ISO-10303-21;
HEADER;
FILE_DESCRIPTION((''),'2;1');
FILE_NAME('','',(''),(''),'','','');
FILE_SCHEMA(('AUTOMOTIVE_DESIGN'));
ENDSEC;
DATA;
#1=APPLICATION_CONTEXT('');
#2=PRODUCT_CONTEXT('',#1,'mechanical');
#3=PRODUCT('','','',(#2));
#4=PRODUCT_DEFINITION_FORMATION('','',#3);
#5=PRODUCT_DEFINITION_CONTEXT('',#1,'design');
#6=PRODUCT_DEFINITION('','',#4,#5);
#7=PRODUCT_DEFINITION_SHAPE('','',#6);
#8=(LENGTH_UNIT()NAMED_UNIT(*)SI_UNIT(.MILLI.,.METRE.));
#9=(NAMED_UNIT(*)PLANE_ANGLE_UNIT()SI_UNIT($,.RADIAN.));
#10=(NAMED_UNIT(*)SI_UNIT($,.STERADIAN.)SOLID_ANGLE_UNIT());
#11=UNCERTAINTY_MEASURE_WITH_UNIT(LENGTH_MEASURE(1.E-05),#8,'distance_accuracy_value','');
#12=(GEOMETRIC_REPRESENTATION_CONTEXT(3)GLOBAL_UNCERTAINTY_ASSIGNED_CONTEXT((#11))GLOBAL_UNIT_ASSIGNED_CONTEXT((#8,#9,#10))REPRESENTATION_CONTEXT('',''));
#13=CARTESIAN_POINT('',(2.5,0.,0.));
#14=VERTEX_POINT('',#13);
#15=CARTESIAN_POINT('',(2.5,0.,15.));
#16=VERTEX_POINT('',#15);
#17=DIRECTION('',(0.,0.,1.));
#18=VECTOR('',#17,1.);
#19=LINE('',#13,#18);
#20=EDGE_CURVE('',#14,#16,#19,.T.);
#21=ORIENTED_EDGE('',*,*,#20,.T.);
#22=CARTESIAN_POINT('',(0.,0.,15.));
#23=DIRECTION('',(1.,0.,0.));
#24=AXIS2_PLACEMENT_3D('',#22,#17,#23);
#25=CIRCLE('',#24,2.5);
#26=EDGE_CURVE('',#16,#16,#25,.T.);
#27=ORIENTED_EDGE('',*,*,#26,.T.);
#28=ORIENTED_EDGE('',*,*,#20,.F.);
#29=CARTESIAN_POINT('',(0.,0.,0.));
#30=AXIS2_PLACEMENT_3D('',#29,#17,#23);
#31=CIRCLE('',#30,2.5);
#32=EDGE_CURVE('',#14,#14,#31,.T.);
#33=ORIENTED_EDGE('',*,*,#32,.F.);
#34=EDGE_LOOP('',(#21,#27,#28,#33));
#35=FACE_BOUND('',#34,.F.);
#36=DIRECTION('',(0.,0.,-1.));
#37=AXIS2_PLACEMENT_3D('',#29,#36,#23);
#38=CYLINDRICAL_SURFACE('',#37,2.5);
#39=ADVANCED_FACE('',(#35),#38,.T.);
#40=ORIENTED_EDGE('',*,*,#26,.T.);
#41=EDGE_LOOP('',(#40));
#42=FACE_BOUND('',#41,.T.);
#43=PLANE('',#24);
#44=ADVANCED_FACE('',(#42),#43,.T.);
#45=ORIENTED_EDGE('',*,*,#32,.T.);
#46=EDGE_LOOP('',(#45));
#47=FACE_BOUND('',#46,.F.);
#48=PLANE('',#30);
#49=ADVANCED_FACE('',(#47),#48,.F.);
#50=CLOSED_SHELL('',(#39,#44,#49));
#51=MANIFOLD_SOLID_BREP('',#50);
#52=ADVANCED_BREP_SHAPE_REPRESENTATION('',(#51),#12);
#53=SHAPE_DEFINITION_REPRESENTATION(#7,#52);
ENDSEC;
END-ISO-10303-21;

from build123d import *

# Parameters (mm, degrees)
SKETCH_R  = 2.5
PAD_DEPTH = 15


with BuildPart() as part:
    # Sketch → Pad (new body)
    with BuildSketch(Plane.XY):
        Circle(SKETCH_R)
    extrude(amount=PAD_DEPTH)


solid = part.part
